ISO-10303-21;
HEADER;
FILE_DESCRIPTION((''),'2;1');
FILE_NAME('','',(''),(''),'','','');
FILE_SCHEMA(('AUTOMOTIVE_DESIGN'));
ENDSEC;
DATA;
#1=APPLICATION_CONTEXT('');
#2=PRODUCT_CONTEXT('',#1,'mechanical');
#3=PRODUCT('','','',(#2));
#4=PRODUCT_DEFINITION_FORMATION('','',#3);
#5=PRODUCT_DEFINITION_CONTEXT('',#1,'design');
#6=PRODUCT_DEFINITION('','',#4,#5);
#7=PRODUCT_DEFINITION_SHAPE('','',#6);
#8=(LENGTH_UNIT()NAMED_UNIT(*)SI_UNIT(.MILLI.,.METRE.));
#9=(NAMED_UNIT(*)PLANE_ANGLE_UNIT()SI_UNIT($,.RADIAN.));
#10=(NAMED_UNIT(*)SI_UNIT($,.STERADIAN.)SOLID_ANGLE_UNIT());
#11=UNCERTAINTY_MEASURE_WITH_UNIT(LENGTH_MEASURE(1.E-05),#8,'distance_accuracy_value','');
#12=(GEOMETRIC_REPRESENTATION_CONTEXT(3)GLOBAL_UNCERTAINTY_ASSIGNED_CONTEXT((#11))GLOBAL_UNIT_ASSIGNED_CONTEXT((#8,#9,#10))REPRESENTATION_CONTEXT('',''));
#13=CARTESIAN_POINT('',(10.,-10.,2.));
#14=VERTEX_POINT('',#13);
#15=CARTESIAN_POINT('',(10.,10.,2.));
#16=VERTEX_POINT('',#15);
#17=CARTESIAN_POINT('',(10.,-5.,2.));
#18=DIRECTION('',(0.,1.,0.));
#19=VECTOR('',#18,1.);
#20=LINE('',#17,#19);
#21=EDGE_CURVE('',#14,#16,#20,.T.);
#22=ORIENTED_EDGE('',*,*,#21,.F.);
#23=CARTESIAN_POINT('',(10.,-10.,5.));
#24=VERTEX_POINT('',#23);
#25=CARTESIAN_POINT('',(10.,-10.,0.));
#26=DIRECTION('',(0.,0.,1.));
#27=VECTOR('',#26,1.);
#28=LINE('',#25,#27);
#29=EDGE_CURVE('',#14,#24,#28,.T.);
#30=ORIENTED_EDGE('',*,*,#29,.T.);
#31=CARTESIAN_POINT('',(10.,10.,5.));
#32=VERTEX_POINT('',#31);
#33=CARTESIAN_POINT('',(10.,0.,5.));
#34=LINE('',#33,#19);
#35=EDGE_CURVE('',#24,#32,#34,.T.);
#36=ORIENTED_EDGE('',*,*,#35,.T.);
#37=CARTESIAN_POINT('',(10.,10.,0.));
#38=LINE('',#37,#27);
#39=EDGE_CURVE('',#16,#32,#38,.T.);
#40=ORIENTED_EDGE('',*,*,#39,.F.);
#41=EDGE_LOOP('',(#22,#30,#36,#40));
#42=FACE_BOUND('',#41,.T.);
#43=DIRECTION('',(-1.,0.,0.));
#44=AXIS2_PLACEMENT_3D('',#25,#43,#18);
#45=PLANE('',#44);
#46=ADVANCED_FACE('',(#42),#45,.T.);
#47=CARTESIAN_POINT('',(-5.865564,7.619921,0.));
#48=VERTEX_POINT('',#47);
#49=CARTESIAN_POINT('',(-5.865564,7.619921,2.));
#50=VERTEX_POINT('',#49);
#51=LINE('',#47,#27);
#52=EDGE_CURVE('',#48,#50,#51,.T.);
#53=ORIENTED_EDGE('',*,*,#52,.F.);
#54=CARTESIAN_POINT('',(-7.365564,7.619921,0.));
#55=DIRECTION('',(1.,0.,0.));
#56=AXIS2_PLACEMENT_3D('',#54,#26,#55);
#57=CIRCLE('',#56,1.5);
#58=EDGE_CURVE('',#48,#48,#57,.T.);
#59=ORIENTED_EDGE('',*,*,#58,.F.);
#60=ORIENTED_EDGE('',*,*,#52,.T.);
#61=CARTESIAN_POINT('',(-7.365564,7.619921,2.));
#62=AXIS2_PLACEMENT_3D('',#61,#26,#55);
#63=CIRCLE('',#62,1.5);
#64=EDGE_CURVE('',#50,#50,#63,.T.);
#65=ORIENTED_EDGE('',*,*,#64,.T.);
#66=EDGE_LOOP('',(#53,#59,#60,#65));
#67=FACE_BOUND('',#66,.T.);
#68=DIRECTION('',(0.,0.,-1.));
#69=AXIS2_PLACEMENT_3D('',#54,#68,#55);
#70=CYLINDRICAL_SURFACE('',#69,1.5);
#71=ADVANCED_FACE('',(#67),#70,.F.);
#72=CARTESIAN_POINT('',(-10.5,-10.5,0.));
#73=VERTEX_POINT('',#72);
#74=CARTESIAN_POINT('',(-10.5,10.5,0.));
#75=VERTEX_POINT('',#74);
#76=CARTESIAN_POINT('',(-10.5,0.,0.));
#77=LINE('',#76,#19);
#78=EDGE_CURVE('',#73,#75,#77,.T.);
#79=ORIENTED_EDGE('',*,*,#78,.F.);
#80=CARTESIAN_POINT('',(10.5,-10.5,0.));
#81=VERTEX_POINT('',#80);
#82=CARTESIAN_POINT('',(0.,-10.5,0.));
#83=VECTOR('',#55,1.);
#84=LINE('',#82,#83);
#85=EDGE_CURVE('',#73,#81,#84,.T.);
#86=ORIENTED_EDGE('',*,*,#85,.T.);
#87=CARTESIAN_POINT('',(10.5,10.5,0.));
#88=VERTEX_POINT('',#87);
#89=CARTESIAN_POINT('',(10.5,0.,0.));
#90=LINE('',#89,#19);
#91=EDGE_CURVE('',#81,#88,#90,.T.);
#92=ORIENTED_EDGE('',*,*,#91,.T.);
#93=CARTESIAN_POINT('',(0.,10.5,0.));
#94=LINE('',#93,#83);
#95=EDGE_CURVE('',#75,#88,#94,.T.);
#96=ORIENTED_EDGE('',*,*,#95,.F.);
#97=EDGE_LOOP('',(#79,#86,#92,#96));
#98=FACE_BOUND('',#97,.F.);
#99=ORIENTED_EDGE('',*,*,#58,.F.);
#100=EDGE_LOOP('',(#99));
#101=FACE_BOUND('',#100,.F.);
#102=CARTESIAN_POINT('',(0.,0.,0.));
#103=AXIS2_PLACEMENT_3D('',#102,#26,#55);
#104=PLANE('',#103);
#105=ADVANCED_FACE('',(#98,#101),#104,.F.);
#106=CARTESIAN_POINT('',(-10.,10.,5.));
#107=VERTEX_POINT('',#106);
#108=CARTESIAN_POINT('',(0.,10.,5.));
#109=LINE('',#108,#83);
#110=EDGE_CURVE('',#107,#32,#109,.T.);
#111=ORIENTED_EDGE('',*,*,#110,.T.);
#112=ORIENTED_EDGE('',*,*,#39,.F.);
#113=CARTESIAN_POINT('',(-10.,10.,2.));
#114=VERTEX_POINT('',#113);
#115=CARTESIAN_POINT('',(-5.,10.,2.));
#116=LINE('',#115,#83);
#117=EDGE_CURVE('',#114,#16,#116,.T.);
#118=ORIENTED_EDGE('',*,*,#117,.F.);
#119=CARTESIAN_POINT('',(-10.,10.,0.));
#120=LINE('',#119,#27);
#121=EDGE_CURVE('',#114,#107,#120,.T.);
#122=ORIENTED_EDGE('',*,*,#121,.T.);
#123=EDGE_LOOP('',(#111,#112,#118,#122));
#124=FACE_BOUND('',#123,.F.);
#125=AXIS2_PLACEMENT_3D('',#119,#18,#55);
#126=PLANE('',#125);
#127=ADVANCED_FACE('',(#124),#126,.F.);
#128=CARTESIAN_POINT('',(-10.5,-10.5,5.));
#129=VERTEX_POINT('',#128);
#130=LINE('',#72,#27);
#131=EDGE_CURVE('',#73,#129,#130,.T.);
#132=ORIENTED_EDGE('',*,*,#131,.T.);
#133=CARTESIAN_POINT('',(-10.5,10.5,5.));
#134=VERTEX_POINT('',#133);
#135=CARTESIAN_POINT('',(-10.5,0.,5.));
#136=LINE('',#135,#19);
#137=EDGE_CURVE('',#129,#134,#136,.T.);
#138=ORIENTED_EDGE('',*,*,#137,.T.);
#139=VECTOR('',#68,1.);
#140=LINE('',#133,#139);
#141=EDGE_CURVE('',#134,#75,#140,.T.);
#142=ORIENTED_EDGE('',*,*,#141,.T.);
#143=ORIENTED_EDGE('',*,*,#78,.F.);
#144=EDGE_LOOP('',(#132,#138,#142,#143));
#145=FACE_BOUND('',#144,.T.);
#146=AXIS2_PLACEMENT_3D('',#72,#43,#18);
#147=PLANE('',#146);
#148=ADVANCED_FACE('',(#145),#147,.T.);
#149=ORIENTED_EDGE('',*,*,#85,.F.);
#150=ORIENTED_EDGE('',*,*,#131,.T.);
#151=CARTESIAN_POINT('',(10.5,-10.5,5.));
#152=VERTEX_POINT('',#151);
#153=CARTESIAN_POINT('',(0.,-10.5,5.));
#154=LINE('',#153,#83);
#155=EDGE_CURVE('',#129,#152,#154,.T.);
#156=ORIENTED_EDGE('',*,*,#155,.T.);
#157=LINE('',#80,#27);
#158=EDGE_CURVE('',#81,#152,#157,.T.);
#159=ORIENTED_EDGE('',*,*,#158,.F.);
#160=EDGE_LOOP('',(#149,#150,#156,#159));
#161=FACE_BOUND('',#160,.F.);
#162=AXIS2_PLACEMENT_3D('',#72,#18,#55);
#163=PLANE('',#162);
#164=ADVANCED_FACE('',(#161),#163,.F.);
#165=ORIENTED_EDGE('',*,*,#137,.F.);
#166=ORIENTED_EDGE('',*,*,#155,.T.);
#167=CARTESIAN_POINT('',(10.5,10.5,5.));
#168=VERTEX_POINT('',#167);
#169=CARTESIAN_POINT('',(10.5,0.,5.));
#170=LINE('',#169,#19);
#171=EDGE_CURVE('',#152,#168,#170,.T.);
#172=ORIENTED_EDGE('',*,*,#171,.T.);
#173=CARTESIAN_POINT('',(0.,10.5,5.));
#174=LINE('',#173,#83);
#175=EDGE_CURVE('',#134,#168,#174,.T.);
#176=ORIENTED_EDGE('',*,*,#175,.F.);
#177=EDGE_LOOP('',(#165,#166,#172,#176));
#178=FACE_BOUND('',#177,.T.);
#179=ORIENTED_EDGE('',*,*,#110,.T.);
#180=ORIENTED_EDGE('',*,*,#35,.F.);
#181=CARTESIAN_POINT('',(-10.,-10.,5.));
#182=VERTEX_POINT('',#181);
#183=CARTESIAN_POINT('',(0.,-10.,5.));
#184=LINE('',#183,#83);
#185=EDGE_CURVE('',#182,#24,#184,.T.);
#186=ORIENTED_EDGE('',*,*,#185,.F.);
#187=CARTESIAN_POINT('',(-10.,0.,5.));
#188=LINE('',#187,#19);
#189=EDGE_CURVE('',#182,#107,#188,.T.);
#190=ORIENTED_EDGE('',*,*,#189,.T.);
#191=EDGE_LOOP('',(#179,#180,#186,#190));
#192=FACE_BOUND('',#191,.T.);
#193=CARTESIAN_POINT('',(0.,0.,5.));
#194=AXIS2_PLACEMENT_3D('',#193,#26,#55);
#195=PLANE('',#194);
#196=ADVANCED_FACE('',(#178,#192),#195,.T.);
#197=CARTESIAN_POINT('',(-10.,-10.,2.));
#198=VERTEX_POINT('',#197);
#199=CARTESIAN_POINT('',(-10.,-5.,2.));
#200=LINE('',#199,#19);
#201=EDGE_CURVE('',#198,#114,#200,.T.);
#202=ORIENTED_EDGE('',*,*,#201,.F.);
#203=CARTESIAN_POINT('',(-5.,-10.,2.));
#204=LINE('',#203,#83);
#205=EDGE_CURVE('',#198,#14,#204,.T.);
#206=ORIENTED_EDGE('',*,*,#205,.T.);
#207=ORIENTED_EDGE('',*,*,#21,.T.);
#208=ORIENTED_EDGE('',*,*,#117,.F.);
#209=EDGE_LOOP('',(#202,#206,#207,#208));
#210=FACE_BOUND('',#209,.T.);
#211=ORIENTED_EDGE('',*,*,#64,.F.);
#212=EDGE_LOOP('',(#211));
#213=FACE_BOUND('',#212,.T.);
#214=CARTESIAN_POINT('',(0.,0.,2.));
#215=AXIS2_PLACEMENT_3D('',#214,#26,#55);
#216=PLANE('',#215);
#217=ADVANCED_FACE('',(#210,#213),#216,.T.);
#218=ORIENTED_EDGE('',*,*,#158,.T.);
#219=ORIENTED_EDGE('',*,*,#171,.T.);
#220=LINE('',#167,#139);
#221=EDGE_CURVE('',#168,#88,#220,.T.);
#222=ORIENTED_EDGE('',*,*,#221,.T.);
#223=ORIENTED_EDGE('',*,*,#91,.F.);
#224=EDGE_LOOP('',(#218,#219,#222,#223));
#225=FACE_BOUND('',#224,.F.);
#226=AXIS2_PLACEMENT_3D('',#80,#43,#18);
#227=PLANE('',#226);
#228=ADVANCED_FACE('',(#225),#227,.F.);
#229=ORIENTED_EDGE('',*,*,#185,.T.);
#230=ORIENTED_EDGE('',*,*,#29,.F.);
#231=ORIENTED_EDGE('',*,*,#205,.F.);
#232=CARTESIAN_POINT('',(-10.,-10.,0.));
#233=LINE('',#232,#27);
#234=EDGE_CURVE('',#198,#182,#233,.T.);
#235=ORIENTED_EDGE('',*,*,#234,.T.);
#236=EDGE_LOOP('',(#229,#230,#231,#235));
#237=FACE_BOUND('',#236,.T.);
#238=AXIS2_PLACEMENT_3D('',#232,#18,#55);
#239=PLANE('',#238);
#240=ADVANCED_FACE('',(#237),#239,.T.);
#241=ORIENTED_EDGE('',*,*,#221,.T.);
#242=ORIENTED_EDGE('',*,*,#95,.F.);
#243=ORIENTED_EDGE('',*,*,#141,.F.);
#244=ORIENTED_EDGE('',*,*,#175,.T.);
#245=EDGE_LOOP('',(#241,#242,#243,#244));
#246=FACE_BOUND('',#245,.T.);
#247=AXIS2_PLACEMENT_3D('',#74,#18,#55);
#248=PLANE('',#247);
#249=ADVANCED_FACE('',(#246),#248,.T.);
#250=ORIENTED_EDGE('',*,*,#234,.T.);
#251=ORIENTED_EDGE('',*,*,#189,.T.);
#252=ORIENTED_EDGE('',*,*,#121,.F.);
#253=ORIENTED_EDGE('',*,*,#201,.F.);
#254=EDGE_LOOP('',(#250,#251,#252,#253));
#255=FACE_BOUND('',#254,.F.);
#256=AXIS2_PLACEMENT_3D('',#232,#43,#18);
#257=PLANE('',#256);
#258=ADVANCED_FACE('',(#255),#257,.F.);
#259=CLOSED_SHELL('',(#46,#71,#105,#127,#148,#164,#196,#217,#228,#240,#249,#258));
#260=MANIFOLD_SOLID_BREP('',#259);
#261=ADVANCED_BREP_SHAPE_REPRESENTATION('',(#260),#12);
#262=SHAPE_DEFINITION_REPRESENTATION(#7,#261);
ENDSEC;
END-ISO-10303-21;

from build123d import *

# Parameters (mm, degrees)
F0_W     = 21
F0_H     = 21
F0_W_2   = 20
F0_H_2   = 20
F1_DEPTH = 5
F2_W     = 21
F2_H     = 21
F2_R     = 1.5
F3_DEPTH = 2


with BuildPart() as f1:
    # F0 (on Top) → F1 (new body)
    with BuildSketch(Plane.XY):
        Rectangle(F0_W, F0_H)
        Rectangle(F0_W_2, F0_H_2, mode=Mode.SUBTRACT)
    extrude(amount=F1_DEPTH)

    # F2 (on Top) → F3 (join)
    with BuildSketch(Plane.XY):
        Rectangle(F2_W, F2_H)
        with Locations((-7.365564, 7.619921)):
            Circle(F2_R, mode=Mode.SUBTRACT)
    extrude(amount=F3_DEPTH)


solid = f1.part
